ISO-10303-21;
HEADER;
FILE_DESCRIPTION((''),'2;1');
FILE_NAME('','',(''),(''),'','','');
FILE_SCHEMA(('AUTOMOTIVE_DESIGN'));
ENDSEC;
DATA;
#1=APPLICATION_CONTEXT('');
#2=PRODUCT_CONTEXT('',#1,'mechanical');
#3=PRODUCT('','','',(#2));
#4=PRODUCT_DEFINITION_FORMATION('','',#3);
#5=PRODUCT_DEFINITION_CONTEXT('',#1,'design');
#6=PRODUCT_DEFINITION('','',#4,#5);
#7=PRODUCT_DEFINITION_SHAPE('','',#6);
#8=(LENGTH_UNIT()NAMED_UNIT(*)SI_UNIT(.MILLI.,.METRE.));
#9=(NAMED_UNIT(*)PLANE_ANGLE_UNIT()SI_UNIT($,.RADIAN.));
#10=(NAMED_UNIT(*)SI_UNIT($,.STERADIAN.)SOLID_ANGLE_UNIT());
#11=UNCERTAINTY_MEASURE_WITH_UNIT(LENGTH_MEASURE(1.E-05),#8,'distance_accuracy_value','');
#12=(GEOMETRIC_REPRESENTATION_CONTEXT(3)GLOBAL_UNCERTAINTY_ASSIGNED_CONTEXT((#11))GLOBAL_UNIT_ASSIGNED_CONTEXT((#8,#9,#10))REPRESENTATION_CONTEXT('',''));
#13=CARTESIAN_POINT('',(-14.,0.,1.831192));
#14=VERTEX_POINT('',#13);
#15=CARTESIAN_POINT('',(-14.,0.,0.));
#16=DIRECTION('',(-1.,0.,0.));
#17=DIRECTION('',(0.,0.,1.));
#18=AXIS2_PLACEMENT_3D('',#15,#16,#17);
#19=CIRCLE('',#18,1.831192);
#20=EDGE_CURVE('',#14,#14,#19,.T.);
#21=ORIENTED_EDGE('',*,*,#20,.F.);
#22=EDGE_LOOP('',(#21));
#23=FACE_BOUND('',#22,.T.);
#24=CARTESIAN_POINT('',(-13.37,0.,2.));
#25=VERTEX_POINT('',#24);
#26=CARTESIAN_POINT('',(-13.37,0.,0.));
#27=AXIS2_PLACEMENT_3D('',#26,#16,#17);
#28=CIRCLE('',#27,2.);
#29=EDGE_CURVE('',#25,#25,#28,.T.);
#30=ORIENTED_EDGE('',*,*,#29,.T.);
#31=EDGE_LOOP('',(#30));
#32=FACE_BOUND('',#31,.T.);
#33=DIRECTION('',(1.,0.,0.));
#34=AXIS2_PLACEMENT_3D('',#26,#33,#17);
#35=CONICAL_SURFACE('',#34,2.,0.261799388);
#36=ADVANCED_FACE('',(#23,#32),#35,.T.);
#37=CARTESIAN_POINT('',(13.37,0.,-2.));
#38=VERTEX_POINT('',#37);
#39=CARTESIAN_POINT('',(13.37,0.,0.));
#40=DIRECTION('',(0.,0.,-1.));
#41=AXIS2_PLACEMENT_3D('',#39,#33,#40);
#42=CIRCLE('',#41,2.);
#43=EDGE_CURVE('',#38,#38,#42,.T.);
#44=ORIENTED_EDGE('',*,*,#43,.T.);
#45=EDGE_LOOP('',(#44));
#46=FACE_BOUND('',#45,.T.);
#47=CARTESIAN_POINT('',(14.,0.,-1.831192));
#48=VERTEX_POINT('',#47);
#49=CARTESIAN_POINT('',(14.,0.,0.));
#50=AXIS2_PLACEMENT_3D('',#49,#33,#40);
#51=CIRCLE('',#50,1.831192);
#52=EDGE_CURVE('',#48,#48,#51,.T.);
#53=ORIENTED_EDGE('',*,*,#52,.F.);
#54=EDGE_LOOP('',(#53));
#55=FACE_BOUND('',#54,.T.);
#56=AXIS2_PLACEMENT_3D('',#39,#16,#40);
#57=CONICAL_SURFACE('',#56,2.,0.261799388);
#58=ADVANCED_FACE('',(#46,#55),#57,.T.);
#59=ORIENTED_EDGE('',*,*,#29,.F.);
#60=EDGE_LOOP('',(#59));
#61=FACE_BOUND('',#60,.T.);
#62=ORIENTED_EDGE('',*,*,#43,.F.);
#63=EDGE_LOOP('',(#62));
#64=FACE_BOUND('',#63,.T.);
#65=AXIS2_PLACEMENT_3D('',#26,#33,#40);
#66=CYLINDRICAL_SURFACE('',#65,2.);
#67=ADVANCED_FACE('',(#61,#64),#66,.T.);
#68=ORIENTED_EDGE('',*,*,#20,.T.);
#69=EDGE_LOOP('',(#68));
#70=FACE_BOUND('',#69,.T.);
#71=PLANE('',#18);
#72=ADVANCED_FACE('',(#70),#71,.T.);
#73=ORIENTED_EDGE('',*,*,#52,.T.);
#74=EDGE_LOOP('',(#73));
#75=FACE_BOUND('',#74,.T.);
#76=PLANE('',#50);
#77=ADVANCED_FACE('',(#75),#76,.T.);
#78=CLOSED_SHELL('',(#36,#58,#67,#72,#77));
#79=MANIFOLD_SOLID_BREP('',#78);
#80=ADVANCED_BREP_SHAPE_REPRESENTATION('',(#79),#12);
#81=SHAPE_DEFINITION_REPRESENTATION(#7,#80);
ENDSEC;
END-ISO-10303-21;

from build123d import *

# Parameters (mm, degrees)
SKETCH2_R           = 2
EXTRUDE1_DEPTH      = 13.37
EXTRUDE1_DEPTH_BACK = 13.37
SKETCH3_R           = 2
EXTRUDE2_DEPTH      = 0.63
EXTRUDE2_TAPER      = 15
SKETCH4_R           = 2
EXTRUDE3_DEPTH      = 0.63
EXTRUDE3_TAPER      = 15


with BuildPart() as part:
    # Sketch2 → Extrude1 (new body, two sides)
    with BuildSketch(Plane(origin=(0, 0, 0), x_dir=(0, 0, -1), z_dir=(1, 0, 0))) as extrude1_sk:
        Circle(SKETCH2_R)
    extrude(amount=EXTRUDE1_DEPTH)
    extrude(extrude1_sk.sketch, amount=-EXTRUDE1_DEPTH_BACK)

    # Sketch3 → Extrude2 (add)
    with BuildSketch(Plane(origin=(13.37, 0, 0), x_dir=(0, 0, -1), z_dir=(1, 0, 0))):
        Circle(SKETCH3_R)
    extrude(amount=EXTRUDE2_DEPTH, taper=EXTRUDE2_TAPER)

    # Sketch4 → Extrude3 (add)
    with BuildSketch(Plane.ZY.offset(13.37)):
        Circle(SKETCH4_R)
    extrude(amount=EXTRUDE3_DEPTH, taper=EXTRUDE3_TAPER)


solid = part.part
